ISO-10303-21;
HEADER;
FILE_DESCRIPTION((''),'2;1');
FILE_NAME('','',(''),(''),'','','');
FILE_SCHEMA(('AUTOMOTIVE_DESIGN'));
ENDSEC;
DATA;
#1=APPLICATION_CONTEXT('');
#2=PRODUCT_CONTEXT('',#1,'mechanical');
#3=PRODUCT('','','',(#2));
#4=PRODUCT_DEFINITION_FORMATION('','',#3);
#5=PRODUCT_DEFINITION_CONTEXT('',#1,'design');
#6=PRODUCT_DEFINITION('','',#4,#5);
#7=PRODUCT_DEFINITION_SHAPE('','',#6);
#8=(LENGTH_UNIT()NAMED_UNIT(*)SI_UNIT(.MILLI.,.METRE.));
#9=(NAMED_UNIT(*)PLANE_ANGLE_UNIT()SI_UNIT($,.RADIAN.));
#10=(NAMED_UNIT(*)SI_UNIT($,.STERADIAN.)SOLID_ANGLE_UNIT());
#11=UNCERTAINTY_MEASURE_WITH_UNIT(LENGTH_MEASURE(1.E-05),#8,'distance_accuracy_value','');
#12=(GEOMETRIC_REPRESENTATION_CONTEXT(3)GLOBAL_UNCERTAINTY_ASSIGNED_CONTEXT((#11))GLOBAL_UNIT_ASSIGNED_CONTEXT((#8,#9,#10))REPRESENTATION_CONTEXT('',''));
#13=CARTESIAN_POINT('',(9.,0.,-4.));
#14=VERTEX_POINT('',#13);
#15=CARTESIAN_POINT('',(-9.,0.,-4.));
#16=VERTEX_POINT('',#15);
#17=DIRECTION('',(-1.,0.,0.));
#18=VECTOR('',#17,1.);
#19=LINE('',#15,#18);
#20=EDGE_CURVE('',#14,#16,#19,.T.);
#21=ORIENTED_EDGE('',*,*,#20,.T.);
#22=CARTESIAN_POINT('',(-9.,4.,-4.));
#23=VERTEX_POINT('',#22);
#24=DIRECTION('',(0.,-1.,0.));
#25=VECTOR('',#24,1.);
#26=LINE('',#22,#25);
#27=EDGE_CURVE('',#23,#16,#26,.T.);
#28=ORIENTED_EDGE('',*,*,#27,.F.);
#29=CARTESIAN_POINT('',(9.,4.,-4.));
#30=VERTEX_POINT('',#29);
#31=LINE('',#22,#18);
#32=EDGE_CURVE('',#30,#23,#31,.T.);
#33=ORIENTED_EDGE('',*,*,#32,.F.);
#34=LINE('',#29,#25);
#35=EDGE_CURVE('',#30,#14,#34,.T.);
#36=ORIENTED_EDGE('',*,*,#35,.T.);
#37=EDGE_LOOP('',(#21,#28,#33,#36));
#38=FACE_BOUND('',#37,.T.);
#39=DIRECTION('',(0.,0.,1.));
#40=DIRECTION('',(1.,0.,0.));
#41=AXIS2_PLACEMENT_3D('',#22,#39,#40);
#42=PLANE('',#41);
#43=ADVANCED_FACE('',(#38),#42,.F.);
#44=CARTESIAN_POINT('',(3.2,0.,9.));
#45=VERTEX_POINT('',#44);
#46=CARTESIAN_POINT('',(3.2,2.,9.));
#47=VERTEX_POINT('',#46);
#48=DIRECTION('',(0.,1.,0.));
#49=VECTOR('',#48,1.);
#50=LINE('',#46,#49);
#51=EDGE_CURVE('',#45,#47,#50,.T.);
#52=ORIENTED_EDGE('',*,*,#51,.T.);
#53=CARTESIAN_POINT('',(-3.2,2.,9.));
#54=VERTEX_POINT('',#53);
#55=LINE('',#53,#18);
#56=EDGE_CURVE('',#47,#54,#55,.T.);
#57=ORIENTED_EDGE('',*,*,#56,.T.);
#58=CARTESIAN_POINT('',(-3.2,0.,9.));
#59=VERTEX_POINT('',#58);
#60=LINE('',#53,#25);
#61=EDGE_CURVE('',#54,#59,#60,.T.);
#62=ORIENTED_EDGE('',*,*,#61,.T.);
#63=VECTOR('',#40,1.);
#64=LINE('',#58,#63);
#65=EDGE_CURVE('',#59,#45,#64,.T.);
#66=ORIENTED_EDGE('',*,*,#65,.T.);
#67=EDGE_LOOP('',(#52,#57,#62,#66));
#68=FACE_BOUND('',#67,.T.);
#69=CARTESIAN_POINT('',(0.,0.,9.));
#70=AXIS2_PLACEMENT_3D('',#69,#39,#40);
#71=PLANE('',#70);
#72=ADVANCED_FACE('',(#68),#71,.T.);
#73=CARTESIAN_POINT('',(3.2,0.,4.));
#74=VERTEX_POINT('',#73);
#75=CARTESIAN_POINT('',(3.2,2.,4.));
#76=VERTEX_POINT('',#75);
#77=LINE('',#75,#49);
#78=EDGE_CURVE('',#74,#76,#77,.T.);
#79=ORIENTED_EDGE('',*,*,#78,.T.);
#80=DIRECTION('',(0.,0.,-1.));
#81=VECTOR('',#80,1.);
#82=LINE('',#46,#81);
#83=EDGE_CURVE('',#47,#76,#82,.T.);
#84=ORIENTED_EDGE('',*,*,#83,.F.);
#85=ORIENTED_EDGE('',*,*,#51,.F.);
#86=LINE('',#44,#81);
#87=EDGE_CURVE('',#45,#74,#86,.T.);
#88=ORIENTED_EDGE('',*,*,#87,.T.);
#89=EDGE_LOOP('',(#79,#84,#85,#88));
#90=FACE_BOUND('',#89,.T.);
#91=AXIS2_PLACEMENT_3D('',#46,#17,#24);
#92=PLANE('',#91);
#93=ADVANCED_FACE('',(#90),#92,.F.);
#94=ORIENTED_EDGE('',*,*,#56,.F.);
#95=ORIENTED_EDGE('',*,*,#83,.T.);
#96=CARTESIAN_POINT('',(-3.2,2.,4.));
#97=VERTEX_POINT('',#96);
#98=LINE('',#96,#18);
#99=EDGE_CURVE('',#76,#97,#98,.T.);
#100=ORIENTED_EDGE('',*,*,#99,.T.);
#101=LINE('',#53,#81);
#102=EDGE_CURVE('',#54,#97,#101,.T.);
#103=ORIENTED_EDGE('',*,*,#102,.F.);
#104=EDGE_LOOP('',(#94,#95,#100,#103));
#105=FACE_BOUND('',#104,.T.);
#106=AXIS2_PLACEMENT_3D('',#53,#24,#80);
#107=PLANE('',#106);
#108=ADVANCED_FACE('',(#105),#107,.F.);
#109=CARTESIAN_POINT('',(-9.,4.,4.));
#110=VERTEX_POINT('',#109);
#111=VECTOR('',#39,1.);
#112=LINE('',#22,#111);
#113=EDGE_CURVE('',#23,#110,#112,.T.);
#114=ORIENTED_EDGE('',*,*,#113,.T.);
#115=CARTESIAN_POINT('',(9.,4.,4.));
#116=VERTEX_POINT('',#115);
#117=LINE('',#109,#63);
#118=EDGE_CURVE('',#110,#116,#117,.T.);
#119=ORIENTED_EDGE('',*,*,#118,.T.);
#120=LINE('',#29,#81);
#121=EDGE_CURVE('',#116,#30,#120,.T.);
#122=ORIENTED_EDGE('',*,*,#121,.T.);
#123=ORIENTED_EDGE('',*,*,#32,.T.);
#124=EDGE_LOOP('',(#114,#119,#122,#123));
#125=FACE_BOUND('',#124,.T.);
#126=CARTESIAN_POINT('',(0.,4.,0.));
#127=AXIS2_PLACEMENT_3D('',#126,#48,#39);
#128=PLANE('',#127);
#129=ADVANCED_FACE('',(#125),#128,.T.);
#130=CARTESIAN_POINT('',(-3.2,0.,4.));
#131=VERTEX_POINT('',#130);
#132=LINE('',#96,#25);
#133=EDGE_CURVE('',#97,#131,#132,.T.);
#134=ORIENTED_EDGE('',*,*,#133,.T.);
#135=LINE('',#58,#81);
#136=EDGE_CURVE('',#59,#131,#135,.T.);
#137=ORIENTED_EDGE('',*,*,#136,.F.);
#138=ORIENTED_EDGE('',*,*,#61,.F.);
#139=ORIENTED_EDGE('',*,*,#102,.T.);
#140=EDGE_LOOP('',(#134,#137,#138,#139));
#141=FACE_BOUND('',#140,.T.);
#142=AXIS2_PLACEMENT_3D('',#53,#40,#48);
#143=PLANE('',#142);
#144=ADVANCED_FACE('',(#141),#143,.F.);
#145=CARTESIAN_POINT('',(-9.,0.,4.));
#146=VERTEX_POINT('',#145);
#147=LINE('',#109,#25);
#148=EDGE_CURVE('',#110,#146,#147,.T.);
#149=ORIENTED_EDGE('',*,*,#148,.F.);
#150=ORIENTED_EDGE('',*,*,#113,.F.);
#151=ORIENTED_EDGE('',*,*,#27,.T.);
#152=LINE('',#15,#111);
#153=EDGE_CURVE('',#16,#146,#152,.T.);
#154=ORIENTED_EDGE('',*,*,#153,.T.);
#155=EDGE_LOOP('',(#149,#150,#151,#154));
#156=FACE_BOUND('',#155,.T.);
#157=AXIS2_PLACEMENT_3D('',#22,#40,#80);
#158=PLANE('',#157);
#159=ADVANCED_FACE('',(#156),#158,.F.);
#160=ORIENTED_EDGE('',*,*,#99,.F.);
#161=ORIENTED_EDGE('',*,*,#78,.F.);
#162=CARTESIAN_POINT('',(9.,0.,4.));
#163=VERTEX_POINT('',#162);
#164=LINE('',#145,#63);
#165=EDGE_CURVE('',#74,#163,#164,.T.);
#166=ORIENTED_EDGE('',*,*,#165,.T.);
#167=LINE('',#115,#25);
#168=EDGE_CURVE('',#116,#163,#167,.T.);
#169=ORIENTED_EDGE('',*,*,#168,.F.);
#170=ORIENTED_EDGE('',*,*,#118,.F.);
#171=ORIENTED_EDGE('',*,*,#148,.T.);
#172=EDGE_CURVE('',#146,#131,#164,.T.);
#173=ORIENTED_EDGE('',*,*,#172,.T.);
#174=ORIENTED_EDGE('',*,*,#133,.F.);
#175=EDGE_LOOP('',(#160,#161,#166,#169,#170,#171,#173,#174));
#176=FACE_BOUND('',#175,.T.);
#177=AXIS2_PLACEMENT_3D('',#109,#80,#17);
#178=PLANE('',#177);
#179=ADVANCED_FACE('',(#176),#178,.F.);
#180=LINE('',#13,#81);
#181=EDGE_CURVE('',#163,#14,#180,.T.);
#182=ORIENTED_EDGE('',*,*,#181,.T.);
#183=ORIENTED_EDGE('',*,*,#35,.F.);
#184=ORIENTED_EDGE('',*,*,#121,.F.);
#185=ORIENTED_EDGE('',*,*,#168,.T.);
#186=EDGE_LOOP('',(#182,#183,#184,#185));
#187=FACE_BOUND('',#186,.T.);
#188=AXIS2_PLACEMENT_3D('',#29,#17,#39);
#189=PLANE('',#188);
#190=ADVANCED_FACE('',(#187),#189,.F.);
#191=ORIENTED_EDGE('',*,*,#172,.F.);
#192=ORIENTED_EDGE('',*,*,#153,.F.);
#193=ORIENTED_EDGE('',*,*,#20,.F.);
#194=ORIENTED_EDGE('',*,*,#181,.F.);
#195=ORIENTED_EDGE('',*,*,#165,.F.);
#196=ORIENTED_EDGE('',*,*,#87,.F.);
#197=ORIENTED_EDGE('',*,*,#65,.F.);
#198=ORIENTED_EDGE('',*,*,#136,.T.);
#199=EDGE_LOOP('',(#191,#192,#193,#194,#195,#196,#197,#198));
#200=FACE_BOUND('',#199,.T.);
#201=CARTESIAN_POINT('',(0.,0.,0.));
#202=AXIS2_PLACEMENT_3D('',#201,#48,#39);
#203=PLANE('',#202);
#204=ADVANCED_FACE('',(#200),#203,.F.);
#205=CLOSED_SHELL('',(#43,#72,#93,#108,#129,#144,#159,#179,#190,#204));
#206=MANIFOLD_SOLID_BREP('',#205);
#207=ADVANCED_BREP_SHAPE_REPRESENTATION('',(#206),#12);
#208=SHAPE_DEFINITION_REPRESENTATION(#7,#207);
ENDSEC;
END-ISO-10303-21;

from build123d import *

# Parameters (mm, degrees)
ESQUISSE1_W        = 18
ESQUISSE1_H        = 8
BOSS_EXTRU_1_DEPTH = 4
ESQUISSE2_W        = 6.4
ESQUISSE2_H        = 2
BOSS_EXTRU_2_DEPTH = 5


with BuildPart() as part:
    # Esquisse1 → Boss.-Extru.1 (new body)
    with BuildSketch(Plane(origin=(0, 0, 0), x_dir=(1, 0, 0), z_dir=(0, 1, 0))):
        Rectangle(ESQUISSE1_W, ESQUISSE1_H)
    extrude(amount=BOSS_EXTRU_1_DEPTH)

    # Esquisse2 → Boss.-Extru.2 (add)
    with BuildSketch(Plane.XY.offset(4)):
        with Locations((0, 1)):
            Rectangle(ESQUISSE2_W, ESQUISSE2_H)
    extrude(amount=BOSS_EXTRU_2_DEPTH)


solid = part.part
